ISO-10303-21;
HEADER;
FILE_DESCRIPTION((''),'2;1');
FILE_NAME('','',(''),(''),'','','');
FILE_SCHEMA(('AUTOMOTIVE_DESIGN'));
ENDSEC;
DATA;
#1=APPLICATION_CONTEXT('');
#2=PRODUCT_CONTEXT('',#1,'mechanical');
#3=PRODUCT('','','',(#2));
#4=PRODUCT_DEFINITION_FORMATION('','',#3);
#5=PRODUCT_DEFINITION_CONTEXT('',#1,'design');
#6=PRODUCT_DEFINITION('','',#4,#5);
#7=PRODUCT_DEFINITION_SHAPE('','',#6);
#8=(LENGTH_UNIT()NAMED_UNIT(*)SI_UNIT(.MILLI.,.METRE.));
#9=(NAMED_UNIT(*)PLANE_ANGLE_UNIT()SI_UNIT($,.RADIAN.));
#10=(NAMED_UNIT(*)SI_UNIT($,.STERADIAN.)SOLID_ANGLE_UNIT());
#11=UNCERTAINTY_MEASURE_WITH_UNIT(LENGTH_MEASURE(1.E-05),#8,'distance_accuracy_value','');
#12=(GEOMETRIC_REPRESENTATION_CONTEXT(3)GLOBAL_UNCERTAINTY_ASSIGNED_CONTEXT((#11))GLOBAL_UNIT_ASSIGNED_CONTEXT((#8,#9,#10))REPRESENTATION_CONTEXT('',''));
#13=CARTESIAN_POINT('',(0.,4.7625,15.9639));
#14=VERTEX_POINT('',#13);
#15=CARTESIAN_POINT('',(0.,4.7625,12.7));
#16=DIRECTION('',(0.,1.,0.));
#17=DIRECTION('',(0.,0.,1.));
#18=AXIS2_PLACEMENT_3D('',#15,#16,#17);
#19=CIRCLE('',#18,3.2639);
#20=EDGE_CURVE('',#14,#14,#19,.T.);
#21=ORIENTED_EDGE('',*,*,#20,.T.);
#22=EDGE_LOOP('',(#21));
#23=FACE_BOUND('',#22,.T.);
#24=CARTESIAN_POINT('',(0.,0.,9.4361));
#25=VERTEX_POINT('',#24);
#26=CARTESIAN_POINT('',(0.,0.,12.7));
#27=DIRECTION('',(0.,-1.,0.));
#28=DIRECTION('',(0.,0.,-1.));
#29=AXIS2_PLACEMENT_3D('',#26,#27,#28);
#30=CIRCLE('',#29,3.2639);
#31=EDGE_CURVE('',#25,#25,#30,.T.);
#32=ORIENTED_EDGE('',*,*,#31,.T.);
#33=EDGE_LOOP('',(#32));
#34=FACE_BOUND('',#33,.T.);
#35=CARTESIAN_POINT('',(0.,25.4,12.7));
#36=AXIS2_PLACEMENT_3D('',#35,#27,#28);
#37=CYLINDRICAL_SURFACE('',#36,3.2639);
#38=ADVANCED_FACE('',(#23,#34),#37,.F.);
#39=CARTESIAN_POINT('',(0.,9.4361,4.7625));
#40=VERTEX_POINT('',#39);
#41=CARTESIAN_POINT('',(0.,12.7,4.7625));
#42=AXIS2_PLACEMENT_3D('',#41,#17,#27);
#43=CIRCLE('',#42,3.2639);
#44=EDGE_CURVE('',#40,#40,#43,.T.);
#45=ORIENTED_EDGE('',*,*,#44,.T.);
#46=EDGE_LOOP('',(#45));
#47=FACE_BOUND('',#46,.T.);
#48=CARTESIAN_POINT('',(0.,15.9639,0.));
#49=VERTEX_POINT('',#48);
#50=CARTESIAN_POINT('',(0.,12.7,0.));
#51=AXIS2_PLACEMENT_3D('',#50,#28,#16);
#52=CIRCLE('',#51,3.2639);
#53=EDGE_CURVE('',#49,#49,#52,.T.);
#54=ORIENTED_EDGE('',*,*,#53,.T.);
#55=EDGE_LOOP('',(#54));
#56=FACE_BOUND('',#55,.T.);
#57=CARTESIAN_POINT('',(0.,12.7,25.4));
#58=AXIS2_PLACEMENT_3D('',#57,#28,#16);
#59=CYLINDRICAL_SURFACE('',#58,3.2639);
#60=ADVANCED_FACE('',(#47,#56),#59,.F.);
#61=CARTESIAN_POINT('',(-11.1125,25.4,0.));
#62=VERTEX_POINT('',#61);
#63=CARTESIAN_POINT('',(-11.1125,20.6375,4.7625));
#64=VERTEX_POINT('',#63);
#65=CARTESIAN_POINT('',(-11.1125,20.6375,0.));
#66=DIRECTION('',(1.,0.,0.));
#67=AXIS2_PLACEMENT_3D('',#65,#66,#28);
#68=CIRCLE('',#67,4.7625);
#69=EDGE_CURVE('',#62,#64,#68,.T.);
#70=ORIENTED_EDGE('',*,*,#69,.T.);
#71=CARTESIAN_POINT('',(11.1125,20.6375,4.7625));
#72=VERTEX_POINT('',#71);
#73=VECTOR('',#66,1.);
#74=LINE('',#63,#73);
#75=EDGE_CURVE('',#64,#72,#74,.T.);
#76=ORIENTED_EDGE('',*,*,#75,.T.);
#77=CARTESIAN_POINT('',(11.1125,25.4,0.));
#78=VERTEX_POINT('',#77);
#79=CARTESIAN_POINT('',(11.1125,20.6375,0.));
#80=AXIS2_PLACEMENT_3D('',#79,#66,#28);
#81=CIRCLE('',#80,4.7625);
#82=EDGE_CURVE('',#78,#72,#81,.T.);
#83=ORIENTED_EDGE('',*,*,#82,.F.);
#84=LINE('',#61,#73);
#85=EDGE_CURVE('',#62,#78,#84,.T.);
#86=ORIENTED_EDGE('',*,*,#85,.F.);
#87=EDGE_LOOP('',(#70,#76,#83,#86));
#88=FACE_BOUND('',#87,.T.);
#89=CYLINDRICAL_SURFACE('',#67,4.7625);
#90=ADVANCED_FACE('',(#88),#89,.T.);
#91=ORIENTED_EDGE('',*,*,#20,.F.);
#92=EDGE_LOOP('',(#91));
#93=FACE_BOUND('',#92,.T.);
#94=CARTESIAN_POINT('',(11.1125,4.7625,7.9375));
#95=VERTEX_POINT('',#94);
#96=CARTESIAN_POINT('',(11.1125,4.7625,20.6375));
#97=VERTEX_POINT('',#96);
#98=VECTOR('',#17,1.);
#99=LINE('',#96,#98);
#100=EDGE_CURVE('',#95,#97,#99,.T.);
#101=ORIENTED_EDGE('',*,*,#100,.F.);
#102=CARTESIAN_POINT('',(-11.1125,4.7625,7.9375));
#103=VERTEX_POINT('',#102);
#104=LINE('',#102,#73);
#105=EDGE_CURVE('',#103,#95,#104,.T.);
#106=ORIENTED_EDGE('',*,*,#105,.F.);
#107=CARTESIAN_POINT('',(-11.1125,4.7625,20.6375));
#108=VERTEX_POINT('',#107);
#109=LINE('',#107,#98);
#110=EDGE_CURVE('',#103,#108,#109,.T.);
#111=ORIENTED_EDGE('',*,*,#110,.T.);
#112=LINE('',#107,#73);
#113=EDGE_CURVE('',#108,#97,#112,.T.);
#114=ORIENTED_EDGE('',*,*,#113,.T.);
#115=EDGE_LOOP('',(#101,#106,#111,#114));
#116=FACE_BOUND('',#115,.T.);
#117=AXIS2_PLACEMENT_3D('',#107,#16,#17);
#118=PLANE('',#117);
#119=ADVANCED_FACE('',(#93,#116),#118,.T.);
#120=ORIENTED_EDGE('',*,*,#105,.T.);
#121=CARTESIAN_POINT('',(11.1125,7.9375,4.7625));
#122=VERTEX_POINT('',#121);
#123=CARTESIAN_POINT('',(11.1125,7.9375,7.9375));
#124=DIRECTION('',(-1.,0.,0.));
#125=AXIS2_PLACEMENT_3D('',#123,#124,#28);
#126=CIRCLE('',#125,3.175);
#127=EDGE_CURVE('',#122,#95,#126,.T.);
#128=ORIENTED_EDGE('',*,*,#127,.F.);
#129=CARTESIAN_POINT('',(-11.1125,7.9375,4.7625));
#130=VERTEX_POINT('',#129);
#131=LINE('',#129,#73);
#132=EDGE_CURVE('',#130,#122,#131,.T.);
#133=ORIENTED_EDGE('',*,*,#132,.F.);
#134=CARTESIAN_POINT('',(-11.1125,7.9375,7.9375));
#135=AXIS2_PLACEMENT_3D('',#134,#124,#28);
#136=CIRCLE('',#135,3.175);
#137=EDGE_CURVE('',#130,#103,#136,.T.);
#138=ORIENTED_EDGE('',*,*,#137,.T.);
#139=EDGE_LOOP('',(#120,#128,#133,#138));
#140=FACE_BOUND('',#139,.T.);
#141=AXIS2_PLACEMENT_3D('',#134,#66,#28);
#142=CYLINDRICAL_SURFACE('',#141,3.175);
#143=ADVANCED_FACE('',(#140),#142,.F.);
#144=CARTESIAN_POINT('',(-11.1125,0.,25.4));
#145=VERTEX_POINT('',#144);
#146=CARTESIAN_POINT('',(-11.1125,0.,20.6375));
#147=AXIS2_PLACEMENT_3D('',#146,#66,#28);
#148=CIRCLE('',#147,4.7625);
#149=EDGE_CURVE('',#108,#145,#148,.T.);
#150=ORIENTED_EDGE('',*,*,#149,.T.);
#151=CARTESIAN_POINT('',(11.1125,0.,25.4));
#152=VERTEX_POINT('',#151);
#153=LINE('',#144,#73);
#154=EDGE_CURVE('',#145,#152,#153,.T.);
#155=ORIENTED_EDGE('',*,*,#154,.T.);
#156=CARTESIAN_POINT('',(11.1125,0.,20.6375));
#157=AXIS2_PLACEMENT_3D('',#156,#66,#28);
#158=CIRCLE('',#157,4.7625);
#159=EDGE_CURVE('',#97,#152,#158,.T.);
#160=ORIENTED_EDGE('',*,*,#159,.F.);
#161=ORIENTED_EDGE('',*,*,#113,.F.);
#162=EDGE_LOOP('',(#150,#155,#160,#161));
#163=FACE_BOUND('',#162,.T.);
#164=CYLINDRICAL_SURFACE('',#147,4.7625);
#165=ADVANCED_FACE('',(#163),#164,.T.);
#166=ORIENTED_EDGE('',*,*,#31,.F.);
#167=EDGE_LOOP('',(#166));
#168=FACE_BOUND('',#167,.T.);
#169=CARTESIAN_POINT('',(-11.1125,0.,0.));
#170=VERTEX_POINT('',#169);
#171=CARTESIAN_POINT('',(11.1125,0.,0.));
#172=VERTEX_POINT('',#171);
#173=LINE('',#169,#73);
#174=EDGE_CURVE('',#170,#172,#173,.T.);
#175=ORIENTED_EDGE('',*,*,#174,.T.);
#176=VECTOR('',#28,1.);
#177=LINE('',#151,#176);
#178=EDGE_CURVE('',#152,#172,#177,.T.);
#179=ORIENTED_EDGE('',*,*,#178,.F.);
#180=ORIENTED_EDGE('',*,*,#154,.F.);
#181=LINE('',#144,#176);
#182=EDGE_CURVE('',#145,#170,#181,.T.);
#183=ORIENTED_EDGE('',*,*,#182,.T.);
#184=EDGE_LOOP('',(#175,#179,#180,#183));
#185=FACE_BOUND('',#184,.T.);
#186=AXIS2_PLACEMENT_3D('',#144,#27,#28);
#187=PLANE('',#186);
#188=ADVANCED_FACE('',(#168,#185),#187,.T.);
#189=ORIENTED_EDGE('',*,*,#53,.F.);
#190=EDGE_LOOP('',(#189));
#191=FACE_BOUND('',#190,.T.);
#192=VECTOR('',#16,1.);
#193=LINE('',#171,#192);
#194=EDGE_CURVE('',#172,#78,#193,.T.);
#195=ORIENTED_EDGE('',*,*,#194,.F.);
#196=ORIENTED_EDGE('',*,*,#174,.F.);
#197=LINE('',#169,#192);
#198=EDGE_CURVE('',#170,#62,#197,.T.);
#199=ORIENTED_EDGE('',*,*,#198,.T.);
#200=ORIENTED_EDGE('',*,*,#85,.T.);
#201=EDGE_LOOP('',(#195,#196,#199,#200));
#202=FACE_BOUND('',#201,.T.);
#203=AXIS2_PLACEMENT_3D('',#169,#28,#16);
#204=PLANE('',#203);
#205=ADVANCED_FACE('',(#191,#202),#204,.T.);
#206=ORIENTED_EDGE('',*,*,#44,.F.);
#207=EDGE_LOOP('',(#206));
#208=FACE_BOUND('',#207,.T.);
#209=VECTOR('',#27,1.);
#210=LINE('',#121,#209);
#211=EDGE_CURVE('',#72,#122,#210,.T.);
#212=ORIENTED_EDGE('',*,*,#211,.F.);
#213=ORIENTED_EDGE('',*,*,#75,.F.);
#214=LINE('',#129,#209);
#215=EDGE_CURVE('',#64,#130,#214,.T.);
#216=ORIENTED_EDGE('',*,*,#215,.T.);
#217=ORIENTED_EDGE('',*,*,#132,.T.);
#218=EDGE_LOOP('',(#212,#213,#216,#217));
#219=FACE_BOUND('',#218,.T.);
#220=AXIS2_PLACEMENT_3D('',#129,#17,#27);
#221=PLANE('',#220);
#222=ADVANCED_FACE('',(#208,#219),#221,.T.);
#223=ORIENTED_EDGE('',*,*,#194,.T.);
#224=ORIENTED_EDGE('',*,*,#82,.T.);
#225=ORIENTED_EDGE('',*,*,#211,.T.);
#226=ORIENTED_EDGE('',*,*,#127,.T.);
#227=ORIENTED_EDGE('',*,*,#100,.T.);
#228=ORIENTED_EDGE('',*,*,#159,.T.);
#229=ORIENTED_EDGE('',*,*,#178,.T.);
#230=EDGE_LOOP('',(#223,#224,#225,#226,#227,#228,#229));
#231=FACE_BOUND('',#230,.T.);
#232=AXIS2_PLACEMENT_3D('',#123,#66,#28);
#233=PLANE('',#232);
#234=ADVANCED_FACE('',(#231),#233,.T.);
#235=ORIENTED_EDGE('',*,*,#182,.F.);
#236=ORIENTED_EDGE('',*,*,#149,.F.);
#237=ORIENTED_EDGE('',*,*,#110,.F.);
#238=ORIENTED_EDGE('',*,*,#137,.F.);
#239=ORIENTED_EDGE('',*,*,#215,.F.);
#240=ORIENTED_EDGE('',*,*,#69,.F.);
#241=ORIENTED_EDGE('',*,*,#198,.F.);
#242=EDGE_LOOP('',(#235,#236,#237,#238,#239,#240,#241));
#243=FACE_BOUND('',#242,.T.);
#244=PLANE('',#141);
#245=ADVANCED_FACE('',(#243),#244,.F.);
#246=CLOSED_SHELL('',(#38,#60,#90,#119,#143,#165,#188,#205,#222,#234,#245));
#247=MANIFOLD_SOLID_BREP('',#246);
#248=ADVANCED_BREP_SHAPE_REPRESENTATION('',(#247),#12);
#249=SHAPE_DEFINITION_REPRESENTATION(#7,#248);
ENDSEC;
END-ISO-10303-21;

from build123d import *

# Parameters (mm, degrees)
BASE_EXTRUDE_DEPTH = 11.1125
SKETCH2_R          = 3.2639
HOLE1_DEPTH        = 38.600633721
SKETCH3_R          = 3.2639
HOLE2_DEPTH        = 38.600633721


with BuildPart() as part:
    # Sketch1 → Base Extrude (new, symmetric)
    with BuildSketch(Plane(origin=(0, 0, 0), x_dir=(0, 0, -1), z_dir=(1, 0, 0))):
        with BuildLine():
            Line((-4.7625, 7.9375), (-4.7625, 20.6375))
            ThreePointArc((-4.7625, 20.6375), (-3.367596045, 24.005096045), (0, 25.4))
            Line((0, 25.4), (0, 0))
            Line((0, 0), (-25.4, 0))
            ThreePointArc((-25.4, 0), (-24.005096045, 3.367596045), (-20.6375, 4.7625))
            Line((-20.6375, 4.7625), (-7.9375, 4.7625))
            ThreePointArc((-7.9375, 4.7625), (-5.69243597, 5.69243597), (-4.7625, 7.9375))
        make_face()
    extrude(amount=BASE_EXTRUDE_DEPTH, both=True)

    # Sketch2 → Hole1 (cut, through all)
    with BuildSketch(Plane.XZ):
        with Locations(Location((0, 12.7, 0), (0, 0, 270))):
            Circle(SKETCH2_R)
    extrude(amount=-HOLE1_DEPTH, mode=Mode.SUBTRACT)

    # Sketch3 → Hole2 (cut, through all)
    with BuildSketch(Plane(origin=(0, 0, 0), x_dir=(-1, 0, 0), z_dir=(0, 0, -1))):
        with Locations(Location((0, 12.7, 0), (0, 0, 90))):
            Circle(SKETCH3_R)
    extrude(amount=-HOLE2_DEPTH, mode=Mode.SUBTRACT)


solid = part.part
